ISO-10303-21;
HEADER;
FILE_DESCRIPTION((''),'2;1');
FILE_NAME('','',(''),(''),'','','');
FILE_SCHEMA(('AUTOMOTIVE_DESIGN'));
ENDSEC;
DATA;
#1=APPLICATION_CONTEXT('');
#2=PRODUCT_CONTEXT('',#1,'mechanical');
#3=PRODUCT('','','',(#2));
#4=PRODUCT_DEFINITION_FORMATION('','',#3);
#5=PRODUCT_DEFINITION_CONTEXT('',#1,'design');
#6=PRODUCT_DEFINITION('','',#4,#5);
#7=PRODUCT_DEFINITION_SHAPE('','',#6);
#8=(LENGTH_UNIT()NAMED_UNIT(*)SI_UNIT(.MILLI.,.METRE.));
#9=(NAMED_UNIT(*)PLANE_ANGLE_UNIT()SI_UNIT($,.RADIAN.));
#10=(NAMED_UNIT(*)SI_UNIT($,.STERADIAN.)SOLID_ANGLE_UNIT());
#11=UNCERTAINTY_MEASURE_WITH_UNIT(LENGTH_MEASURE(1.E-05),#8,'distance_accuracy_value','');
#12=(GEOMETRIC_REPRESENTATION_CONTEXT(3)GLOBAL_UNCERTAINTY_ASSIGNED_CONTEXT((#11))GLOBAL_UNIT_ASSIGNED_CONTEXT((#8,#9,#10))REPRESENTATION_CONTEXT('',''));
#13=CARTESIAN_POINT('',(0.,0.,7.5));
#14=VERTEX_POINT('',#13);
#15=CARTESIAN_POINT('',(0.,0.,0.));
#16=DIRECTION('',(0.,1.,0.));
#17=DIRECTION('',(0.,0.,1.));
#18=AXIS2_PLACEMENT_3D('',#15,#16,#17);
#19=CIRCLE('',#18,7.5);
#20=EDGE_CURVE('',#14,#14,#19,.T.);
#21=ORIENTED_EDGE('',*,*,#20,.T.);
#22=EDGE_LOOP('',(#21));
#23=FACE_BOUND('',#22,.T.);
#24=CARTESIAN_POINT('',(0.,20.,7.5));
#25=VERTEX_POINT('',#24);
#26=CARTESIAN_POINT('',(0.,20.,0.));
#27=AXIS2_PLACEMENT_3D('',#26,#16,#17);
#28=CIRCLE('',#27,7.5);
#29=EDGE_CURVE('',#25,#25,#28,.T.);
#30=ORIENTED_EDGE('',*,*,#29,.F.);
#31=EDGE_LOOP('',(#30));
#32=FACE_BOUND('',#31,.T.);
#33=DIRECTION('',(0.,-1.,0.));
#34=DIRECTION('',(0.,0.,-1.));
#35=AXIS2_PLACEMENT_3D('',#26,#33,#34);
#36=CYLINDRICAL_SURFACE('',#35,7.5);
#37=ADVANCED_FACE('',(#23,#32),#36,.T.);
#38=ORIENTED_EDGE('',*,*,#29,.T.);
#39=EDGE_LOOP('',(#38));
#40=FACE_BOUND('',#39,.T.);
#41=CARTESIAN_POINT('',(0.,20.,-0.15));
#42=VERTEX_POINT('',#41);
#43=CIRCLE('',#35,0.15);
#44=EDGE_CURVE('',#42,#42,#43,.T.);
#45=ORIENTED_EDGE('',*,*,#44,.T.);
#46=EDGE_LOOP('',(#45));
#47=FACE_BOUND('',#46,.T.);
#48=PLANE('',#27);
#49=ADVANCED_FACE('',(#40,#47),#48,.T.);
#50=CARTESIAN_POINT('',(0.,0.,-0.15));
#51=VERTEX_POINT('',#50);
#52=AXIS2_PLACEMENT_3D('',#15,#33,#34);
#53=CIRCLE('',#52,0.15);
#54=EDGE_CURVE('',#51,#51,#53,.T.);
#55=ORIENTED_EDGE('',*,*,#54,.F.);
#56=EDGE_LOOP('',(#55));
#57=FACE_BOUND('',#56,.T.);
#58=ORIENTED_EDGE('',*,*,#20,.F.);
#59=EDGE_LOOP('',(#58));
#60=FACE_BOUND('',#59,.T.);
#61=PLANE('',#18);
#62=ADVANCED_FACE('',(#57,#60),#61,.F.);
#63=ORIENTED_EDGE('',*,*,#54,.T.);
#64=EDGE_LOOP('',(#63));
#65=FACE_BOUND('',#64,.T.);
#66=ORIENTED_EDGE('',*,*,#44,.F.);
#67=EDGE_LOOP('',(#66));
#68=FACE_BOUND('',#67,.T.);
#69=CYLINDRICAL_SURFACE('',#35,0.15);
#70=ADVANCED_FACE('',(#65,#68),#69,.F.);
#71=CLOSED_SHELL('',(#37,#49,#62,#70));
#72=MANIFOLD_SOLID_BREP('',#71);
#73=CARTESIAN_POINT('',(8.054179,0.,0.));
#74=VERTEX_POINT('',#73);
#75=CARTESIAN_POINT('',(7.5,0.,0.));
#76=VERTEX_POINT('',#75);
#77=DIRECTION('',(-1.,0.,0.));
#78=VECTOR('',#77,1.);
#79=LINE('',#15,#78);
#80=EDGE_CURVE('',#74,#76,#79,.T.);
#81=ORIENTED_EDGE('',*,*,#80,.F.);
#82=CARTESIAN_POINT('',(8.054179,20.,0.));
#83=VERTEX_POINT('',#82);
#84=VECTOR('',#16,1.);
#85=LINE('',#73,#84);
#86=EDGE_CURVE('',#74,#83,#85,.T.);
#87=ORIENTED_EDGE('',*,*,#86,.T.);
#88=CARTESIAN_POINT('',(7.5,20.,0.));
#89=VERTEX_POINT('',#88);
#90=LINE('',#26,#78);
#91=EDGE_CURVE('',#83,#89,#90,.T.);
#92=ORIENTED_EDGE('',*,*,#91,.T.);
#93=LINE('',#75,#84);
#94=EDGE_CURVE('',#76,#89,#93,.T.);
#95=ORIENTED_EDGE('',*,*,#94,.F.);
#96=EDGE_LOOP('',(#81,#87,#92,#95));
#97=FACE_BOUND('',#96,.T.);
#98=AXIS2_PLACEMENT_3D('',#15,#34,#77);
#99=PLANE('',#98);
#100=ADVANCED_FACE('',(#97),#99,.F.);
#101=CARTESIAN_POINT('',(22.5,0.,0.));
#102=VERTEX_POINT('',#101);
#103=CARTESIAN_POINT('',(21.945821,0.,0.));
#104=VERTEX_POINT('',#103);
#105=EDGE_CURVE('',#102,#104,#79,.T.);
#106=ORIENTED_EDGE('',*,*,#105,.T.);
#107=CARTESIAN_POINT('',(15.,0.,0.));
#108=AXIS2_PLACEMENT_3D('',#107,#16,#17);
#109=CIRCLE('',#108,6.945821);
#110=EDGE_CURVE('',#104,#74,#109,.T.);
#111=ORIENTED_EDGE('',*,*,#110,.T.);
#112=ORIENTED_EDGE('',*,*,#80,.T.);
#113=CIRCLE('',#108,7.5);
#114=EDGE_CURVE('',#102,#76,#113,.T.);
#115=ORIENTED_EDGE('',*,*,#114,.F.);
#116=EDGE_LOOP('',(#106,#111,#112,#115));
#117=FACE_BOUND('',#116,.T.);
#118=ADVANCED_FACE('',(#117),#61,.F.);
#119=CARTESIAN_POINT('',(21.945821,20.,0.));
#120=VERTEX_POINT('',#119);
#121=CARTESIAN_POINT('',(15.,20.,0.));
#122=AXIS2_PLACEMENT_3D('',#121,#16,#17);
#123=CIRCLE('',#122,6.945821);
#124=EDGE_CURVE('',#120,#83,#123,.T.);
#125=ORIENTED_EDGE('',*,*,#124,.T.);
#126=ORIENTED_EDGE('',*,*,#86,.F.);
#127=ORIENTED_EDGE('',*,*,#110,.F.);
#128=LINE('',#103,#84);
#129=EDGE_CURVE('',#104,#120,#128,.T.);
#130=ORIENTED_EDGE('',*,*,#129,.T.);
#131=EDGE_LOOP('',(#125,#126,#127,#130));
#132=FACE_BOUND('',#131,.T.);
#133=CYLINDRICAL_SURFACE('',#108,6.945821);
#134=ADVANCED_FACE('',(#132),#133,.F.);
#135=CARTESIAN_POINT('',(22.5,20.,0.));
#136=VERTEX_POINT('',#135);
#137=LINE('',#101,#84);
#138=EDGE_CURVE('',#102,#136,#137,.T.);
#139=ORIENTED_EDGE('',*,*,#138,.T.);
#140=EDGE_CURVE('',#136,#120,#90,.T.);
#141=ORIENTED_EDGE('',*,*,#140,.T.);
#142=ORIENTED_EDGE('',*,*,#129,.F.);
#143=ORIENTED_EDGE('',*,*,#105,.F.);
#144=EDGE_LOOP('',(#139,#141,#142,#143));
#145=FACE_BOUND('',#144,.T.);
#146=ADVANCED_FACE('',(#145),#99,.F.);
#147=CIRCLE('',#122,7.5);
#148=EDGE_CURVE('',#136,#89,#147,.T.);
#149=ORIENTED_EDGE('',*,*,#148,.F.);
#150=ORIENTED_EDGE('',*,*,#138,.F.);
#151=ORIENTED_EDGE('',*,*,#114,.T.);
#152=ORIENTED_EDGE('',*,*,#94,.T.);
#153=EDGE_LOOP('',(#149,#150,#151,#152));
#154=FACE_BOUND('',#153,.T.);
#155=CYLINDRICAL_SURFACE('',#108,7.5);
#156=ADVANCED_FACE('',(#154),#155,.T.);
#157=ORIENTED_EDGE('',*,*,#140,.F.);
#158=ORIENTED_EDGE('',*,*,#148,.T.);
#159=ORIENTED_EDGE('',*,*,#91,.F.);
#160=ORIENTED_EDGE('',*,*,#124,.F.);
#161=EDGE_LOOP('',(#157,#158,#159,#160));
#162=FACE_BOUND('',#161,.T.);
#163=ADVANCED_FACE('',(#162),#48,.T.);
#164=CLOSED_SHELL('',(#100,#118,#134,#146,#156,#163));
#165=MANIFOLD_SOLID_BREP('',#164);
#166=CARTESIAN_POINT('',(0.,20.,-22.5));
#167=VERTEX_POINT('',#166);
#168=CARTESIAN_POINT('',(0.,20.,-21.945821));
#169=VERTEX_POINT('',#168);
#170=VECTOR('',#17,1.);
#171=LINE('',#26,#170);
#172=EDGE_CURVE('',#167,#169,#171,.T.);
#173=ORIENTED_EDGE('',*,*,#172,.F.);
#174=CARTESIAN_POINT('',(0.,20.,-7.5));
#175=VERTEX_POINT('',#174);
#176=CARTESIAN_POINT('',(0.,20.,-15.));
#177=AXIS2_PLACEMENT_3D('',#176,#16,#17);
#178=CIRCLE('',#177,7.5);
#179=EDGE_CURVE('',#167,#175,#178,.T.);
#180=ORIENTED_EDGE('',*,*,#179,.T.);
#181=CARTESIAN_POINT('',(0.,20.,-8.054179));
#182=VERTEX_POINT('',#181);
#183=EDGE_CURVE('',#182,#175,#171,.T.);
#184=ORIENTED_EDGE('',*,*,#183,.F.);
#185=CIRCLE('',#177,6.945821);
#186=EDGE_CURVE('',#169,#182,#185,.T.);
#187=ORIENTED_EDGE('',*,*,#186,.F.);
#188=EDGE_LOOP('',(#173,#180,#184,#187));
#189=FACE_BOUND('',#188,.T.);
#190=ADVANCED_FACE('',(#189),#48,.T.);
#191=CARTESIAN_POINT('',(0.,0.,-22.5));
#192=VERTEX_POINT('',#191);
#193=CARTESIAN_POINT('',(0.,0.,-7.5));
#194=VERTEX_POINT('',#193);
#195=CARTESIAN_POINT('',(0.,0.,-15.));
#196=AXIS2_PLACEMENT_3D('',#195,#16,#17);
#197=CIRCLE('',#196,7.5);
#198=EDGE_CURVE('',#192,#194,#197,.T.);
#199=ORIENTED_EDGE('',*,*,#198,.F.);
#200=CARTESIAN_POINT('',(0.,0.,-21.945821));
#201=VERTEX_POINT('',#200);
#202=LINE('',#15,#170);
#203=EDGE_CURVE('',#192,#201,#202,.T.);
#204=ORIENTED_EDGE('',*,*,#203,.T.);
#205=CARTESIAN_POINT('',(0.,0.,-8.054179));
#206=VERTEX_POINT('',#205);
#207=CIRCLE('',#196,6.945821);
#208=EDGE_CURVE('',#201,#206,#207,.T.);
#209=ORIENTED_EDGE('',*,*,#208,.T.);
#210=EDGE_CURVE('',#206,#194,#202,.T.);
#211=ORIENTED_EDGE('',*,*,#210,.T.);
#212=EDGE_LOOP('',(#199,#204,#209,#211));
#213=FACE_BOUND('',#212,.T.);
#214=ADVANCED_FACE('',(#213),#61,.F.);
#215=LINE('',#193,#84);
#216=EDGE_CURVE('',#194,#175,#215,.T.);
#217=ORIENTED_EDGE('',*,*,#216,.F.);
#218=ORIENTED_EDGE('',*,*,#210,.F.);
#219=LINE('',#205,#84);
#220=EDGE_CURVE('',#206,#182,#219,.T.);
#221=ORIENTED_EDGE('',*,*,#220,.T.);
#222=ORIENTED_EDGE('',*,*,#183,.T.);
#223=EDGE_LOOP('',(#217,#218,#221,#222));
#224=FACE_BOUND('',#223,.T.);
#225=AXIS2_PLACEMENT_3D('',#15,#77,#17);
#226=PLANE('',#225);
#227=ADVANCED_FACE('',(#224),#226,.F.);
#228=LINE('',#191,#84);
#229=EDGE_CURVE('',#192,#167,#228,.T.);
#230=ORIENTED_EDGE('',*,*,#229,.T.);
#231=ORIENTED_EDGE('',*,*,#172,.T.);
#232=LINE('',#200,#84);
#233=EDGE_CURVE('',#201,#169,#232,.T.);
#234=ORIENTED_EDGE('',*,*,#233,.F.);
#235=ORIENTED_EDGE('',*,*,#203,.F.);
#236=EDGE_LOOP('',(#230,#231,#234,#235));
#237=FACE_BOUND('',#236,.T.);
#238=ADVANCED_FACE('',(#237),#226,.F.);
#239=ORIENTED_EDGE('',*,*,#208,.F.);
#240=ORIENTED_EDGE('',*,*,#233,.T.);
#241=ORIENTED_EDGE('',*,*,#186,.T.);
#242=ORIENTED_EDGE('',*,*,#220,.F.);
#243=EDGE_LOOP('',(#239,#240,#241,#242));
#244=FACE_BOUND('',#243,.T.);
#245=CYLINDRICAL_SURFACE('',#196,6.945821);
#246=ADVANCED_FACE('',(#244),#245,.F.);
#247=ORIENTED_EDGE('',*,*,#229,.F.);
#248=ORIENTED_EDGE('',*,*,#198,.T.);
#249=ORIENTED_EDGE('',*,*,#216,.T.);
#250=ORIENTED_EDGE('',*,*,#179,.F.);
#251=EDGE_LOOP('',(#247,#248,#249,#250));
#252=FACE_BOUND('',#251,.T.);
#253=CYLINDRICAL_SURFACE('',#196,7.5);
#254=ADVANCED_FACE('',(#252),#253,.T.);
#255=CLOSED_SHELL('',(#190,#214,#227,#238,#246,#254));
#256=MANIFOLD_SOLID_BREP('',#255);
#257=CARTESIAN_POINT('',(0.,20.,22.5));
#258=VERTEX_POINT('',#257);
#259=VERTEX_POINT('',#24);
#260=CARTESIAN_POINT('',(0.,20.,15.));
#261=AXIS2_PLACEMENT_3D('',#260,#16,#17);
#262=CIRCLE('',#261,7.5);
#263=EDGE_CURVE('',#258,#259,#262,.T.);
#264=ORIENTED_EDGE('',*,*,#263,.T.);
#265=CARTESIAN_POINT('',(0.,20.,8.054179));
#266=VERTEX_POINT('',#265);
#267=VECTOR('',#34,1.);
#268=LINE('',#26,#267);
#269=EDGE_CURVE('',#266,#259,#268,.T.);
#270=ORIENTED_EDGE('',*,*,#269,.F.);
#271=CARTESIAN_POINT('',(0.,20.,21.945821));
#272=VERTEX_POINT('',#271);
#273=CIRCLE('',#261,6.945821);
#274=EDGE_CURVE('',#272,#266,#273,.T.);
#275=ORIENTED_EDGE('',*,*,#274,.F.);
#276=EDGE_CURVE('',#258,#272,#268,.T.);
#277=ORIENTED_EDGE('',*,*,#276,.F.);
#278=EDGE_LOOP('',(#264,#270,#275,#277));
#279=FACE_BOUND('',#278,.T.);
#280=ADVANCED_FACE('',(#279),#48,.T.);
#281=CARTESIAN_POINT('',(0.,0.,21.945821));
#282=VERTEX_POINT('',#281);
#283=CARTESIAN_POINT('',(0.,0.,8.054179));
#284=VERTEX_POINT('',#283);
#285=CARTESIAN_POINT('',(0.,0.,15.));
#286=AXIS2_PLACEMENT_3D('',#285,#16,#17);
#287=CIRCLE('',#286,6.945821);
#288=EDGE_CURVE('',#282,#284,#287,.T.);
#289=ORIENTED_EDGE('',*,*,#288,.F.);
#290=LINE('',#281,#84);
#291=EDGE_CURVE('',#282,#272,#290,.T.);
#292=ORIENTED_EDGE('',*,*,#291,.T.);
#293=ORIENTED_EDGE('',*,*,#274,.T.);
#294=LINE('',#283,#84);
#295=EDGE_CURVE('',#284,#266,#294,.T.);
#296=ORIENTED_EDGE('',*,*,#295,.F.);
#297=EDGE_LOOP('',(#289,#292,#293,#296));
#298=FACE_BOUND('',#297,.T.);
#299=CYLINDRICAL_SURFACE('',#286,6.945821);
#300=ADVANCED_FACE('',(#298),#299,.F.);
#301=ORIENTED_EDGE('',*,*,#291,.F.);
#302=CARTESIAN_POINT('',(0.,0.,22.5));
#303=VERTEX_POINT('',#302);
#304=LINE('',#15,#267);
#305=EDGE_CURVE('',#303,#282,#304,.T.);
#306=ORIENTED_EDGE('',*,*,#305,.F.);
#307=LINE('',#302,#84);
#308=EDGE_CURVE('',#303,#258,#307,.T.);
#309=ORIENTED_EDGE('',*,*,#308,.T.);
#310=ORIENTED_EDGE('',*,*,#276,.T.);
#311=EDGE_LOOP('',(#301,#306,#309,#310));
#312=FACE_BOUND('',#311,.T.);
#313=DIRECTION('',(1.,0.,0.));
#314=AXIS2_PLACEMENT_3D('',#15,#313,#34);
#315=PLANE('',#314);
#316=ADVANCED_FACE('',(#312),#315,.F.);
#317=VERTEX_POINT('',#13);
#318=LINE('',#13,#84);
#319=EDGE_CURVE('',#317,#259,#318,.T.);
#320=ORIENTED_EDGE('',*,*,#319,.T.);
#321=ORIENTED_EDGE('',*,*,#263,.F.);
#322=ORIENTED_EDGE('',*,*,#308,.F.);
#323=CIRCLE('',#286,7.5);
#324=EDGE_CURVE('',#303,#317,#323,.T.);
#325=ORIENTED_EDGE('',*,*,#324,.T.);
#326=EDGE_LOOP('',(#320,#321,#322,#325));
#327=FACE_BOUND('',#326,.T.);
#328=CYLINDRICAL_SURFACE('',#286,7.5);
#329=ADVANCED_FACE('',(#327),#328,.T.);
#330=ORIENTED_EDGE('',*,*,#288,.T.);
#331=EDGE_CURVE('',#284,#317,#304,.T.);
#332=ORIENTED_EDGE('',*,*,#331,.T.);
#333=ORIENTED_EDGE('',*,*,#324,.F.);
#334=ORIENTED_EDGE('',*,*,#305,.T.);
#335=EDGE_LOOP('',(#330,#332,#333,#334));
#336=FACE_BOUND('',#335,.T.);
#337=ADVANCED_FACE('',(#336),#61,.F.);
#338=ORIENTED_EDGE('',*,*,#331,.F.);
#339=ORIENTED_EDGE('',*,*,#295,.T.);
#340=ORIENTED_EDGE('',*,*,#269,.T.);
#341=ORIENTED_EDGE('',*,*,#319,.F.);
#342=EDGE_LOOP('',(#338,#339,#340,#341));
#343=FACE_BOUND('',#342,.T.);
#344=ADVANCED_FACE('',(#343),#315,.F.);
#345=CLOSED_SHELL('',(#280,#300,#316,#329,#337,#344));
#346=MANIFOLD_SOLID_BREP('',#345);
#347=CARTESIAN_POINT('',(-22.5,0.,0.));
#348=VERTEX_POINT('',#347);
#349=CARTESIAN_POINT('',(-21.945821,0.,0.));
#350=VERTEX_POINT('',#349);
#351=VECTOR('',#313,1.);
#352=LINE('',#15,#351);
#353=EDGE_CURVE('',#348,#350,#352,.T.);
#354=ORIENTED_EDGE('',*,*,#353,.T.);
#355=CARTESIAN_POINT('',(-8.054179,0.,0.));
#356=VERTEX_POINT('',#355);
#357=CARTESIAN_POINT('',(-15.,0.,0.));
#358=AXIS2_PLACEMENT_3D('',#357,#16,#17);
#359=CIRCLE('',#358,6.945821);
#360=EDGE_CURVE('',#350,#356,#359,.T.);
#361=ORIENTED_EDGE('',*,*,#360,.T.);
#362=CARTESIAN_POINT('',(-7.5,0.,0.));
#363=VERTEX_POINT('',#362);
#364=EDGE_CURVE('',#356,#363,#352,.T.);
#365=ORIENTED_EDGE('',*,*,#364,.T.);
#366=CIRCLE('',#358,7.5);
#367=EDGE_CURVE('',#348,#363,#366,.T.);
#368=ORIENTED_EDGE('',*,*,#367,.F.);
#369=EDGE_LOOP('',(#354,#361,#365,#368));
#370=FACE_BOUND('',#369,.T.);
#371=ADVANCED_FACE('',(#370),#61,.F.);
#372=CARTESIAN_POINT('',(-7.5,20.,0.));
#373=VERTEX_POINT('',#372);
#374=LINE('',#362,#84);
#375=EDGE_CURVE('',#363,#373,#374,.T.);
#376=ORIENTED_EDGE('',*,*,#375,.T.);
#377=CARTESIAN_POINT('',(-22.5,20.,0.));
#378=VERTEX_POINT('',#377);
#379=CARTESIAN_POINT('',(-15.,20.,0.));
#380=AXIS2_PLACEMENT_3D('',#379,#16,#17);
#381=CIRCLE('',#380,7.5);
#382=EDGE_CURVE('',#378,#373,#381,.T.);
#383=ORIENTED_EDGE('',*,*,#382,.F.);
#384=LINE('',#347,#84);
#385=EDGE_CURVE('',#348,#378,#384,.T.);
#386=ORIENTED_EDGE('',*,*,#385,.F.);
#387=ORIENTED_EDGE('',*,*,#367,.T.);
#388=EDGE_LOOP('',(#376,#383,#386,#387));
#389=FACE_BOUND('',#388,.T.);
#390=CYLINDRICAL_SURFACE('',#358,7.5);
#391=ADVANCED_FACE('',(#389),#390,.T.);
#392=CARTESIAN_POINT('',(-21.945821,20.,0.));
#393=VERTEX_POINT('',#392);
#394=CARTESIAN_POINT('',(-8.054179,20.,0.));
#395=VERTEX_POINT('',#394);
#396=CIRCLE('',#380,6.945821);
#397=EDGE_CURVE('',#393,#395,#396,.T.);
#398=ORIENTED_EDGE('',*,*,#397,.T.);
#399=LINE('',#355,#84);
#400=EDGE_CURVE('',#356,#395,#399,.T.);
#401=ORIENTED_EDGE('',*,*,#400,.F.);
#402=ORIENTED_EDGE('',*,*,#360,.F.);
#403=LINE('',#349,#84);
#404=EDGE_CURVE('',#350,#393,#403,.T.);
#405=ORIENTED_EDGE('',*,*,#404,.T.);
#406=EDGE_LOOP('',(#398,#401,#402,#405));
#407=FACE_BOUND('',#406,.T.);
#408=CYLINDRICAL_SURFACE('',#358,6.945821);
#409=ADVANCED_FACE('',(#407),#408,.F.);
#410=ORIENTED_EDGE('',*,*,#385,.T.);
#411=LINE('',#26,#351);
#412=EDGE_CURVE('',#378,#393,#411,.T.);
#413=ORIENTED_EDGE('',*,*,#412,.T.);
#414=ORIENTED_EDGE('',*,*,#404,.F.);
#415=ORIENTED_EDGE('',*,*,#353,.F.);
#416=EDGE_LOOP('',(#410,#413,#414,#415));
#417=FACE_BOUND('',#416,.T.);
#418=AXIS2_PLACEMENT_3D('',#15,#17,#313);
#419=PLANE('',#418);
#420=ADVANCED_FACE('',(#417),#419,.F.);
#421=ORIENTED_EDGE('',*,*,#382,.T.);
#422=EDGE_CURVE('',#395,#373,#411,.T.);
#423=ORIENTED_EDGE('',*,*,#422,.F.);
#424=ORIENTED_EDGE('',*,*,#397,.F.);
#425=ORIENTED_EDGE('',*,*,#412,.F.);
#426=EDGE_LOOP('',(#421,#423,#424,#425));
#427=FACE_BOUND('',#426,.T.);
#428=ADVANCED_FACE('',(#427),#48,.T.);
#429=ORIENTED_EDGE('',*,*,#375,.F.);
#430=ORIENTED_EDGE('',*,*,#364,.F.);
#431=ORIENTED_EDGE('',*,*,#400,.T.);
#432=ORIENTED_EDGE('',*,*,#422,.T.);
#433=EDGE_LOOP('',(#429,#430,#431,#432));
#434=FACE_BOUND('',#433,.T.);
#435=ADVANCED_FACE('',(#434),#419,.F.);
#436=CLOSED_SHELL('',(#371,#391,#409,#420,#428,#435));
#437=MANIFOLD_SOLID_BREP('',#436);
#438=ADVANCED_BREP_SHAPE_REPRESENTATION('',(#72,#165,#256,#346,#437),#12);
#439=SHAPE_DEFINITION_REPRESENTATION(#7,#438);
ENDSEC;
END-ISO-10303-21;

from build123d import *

# Parameters (mm, degrees)
SKETCH1_R           = 7.5
BOSS_EXTRUDE1_DEPTH = 20
SKETCH2_R           = 0.15
CUT_EXTRUDE2_DEPTH  = 20
BOSS_EXTRUDE3_DEPTH = 20


with BuildPart() as part:
    # Sketch1 → Boss-Extrude1 (new body)
    with BuildSketch(Plane(origin=(0, 0, 0), x_dir=(1, 0, 0), z_dir=(0, 1, 0))):
        with Locations(Location((0, 0, 0), (0, 0, 270))):
            Circle(SKETCH1_R)
    extrude(amount=BOSS_EXTRUDE1_DEPTH)

    # Sketch2 → Cut-Extrude2 (cut)
    with BuildSketch(Plane.XZ):
        with Locations(Location((0, 0, 0), (0, 0, 270))):
            Circle(SKETCH2_R)
    extrude(amount=-CUT_EXTRUDE2_DEPTH, mode=Mode.SUBTRACT)


with BuildPart() as body_2:
    # Sketch4 → Boss-Extrude3 (new body)
    with BuildSketch(Plane(origin=(0, 20, 0), x_dir=(1, 0, 0), z_dir=(0, 1, 0))):
        with BuildLine():
            Line((0, 21.945820884), (0, 22.5))
            ThreePointArc((0, 22.5), (-5.929270613, 19.592793268), (-7.261843774, 13.125))
            ThreePointArc((-7.261843774, 13.125), (-7.010737546, 13.260827993), (-6.757091762, 13.391852408))
            ThreePointArc((-6.757091762, 13.391852408), (-5.450428097, 19.305491994), (0, 21.945820884))
        make_face()
        with BuildLine():
            ThreePointArc((-6.757091762, 13.391852408), (-7.010737546, 13.260827993), (-7.261843774, 13.125))
            ThreePointArc((-7.261843774, 13.125), (-4.592793268, 9.070729387), (0, 7.5))
            Line((0, 7.5), (0, 8.054179116))
            ThreePointArc((0, 8.054179116), (-4.305491994, 9.549571903), (-6.757091762, 13.391852408))
        make_face()
        with BuildLine():
            ThreePointArc((-8.054179116, 0), (-9.549571903, -4.305491994), (-13.391852408, -6.757091762))
            ThreePointArc((-13.391852408, -6.757091762), (-13.260827993, -7.010737546), (-13.125, -7.261843774))
            ThreePointArc((-13.125, -7.261843774), (-9.070729387, -4.592793268), (-7.5, 0))
            Line((-7.5, 0), (-8.054179116, 0))
        make_face()
        with BuildLine():
            ThreePointArc((-13.125, -7.261843774), (-13.260827993, -7.010737546), (-13.391852408, -6.757091762))
            ThreePointArc((-13.391852408, -6.757091762), (-19.305491994, -5.450428097), (-21.945820884, 0))
            Line((-21.945820884, 0), (-22.5, 0))
            ThreePointArc((-22.5, 0), (-19.592793268, -5.929270613), (-13.125, -7.261843774))
        make_face()
        with BuildLine():
            ThreePointArc((0, -8.054179116), (4.305491994, -9.549571903), (6.757091762, -13.391852408))
            ThreePointArc((6.757091762, -13.391852408), (7.010737546, -13.260827993), (7.261843774, -13.125))
            ThreePointArc((7.261843774, -13.125), (4.592793268, -9.070729387), (0, -7.5))
            Line((0, -7.5), (0, -8.054179116))
        make_face()
        with BuildLine():
            ThreePointArc((7.261843774, -13.125), (7.010737546, -13.260827993), (6.757091762, -13.391852408))
            ThreePointArc((6.757091762, -13.391852408), (5.450428097, -19.305491994), (0, -21.945820884))
            Line((0, -21.945820884), (0, -22.5))
            ThreePointArc((0, -22.5), (5.929270613, -19.592793268), (7.261843774, -13.125))
        make_face()
        with BuildLine():
            ThreePointArc((13.391852408, 6.757091762), (13.260827993, 7.010737546), (13.125, 7.261843774))
            ThreePointArc((13.125, 7.261843774), (9.070729387, 4.592793268), (7.5, 0))
            Line((7.5, 0), (8.054179116, 0))
            ThreePointArc((8.054179116, 0), (9.549571903, 4.305491994), (13.391852408, 6.757091762))
        make_face()
        with BuildLine():
            ThreePointArc((22.5, 0), (19.592793268, 5.929270613), (13.125, 7.261843774))
            ThreePointArc((13.125, 7.261843774), (13.260827993, 7.010737546), (13.391852408, 6.757091762))
            ThreePointArc((13.391852408, 6.757091762), (19.305491994, 5.450428097), (21.945820884, 0))
            Line((21.945820884, 0), (22.5, 0))
        make_face()
    extrude(amount=-BOSS_EXTRUDE3_DEPTH)


solid = Compound([part.part, body_2.part])
